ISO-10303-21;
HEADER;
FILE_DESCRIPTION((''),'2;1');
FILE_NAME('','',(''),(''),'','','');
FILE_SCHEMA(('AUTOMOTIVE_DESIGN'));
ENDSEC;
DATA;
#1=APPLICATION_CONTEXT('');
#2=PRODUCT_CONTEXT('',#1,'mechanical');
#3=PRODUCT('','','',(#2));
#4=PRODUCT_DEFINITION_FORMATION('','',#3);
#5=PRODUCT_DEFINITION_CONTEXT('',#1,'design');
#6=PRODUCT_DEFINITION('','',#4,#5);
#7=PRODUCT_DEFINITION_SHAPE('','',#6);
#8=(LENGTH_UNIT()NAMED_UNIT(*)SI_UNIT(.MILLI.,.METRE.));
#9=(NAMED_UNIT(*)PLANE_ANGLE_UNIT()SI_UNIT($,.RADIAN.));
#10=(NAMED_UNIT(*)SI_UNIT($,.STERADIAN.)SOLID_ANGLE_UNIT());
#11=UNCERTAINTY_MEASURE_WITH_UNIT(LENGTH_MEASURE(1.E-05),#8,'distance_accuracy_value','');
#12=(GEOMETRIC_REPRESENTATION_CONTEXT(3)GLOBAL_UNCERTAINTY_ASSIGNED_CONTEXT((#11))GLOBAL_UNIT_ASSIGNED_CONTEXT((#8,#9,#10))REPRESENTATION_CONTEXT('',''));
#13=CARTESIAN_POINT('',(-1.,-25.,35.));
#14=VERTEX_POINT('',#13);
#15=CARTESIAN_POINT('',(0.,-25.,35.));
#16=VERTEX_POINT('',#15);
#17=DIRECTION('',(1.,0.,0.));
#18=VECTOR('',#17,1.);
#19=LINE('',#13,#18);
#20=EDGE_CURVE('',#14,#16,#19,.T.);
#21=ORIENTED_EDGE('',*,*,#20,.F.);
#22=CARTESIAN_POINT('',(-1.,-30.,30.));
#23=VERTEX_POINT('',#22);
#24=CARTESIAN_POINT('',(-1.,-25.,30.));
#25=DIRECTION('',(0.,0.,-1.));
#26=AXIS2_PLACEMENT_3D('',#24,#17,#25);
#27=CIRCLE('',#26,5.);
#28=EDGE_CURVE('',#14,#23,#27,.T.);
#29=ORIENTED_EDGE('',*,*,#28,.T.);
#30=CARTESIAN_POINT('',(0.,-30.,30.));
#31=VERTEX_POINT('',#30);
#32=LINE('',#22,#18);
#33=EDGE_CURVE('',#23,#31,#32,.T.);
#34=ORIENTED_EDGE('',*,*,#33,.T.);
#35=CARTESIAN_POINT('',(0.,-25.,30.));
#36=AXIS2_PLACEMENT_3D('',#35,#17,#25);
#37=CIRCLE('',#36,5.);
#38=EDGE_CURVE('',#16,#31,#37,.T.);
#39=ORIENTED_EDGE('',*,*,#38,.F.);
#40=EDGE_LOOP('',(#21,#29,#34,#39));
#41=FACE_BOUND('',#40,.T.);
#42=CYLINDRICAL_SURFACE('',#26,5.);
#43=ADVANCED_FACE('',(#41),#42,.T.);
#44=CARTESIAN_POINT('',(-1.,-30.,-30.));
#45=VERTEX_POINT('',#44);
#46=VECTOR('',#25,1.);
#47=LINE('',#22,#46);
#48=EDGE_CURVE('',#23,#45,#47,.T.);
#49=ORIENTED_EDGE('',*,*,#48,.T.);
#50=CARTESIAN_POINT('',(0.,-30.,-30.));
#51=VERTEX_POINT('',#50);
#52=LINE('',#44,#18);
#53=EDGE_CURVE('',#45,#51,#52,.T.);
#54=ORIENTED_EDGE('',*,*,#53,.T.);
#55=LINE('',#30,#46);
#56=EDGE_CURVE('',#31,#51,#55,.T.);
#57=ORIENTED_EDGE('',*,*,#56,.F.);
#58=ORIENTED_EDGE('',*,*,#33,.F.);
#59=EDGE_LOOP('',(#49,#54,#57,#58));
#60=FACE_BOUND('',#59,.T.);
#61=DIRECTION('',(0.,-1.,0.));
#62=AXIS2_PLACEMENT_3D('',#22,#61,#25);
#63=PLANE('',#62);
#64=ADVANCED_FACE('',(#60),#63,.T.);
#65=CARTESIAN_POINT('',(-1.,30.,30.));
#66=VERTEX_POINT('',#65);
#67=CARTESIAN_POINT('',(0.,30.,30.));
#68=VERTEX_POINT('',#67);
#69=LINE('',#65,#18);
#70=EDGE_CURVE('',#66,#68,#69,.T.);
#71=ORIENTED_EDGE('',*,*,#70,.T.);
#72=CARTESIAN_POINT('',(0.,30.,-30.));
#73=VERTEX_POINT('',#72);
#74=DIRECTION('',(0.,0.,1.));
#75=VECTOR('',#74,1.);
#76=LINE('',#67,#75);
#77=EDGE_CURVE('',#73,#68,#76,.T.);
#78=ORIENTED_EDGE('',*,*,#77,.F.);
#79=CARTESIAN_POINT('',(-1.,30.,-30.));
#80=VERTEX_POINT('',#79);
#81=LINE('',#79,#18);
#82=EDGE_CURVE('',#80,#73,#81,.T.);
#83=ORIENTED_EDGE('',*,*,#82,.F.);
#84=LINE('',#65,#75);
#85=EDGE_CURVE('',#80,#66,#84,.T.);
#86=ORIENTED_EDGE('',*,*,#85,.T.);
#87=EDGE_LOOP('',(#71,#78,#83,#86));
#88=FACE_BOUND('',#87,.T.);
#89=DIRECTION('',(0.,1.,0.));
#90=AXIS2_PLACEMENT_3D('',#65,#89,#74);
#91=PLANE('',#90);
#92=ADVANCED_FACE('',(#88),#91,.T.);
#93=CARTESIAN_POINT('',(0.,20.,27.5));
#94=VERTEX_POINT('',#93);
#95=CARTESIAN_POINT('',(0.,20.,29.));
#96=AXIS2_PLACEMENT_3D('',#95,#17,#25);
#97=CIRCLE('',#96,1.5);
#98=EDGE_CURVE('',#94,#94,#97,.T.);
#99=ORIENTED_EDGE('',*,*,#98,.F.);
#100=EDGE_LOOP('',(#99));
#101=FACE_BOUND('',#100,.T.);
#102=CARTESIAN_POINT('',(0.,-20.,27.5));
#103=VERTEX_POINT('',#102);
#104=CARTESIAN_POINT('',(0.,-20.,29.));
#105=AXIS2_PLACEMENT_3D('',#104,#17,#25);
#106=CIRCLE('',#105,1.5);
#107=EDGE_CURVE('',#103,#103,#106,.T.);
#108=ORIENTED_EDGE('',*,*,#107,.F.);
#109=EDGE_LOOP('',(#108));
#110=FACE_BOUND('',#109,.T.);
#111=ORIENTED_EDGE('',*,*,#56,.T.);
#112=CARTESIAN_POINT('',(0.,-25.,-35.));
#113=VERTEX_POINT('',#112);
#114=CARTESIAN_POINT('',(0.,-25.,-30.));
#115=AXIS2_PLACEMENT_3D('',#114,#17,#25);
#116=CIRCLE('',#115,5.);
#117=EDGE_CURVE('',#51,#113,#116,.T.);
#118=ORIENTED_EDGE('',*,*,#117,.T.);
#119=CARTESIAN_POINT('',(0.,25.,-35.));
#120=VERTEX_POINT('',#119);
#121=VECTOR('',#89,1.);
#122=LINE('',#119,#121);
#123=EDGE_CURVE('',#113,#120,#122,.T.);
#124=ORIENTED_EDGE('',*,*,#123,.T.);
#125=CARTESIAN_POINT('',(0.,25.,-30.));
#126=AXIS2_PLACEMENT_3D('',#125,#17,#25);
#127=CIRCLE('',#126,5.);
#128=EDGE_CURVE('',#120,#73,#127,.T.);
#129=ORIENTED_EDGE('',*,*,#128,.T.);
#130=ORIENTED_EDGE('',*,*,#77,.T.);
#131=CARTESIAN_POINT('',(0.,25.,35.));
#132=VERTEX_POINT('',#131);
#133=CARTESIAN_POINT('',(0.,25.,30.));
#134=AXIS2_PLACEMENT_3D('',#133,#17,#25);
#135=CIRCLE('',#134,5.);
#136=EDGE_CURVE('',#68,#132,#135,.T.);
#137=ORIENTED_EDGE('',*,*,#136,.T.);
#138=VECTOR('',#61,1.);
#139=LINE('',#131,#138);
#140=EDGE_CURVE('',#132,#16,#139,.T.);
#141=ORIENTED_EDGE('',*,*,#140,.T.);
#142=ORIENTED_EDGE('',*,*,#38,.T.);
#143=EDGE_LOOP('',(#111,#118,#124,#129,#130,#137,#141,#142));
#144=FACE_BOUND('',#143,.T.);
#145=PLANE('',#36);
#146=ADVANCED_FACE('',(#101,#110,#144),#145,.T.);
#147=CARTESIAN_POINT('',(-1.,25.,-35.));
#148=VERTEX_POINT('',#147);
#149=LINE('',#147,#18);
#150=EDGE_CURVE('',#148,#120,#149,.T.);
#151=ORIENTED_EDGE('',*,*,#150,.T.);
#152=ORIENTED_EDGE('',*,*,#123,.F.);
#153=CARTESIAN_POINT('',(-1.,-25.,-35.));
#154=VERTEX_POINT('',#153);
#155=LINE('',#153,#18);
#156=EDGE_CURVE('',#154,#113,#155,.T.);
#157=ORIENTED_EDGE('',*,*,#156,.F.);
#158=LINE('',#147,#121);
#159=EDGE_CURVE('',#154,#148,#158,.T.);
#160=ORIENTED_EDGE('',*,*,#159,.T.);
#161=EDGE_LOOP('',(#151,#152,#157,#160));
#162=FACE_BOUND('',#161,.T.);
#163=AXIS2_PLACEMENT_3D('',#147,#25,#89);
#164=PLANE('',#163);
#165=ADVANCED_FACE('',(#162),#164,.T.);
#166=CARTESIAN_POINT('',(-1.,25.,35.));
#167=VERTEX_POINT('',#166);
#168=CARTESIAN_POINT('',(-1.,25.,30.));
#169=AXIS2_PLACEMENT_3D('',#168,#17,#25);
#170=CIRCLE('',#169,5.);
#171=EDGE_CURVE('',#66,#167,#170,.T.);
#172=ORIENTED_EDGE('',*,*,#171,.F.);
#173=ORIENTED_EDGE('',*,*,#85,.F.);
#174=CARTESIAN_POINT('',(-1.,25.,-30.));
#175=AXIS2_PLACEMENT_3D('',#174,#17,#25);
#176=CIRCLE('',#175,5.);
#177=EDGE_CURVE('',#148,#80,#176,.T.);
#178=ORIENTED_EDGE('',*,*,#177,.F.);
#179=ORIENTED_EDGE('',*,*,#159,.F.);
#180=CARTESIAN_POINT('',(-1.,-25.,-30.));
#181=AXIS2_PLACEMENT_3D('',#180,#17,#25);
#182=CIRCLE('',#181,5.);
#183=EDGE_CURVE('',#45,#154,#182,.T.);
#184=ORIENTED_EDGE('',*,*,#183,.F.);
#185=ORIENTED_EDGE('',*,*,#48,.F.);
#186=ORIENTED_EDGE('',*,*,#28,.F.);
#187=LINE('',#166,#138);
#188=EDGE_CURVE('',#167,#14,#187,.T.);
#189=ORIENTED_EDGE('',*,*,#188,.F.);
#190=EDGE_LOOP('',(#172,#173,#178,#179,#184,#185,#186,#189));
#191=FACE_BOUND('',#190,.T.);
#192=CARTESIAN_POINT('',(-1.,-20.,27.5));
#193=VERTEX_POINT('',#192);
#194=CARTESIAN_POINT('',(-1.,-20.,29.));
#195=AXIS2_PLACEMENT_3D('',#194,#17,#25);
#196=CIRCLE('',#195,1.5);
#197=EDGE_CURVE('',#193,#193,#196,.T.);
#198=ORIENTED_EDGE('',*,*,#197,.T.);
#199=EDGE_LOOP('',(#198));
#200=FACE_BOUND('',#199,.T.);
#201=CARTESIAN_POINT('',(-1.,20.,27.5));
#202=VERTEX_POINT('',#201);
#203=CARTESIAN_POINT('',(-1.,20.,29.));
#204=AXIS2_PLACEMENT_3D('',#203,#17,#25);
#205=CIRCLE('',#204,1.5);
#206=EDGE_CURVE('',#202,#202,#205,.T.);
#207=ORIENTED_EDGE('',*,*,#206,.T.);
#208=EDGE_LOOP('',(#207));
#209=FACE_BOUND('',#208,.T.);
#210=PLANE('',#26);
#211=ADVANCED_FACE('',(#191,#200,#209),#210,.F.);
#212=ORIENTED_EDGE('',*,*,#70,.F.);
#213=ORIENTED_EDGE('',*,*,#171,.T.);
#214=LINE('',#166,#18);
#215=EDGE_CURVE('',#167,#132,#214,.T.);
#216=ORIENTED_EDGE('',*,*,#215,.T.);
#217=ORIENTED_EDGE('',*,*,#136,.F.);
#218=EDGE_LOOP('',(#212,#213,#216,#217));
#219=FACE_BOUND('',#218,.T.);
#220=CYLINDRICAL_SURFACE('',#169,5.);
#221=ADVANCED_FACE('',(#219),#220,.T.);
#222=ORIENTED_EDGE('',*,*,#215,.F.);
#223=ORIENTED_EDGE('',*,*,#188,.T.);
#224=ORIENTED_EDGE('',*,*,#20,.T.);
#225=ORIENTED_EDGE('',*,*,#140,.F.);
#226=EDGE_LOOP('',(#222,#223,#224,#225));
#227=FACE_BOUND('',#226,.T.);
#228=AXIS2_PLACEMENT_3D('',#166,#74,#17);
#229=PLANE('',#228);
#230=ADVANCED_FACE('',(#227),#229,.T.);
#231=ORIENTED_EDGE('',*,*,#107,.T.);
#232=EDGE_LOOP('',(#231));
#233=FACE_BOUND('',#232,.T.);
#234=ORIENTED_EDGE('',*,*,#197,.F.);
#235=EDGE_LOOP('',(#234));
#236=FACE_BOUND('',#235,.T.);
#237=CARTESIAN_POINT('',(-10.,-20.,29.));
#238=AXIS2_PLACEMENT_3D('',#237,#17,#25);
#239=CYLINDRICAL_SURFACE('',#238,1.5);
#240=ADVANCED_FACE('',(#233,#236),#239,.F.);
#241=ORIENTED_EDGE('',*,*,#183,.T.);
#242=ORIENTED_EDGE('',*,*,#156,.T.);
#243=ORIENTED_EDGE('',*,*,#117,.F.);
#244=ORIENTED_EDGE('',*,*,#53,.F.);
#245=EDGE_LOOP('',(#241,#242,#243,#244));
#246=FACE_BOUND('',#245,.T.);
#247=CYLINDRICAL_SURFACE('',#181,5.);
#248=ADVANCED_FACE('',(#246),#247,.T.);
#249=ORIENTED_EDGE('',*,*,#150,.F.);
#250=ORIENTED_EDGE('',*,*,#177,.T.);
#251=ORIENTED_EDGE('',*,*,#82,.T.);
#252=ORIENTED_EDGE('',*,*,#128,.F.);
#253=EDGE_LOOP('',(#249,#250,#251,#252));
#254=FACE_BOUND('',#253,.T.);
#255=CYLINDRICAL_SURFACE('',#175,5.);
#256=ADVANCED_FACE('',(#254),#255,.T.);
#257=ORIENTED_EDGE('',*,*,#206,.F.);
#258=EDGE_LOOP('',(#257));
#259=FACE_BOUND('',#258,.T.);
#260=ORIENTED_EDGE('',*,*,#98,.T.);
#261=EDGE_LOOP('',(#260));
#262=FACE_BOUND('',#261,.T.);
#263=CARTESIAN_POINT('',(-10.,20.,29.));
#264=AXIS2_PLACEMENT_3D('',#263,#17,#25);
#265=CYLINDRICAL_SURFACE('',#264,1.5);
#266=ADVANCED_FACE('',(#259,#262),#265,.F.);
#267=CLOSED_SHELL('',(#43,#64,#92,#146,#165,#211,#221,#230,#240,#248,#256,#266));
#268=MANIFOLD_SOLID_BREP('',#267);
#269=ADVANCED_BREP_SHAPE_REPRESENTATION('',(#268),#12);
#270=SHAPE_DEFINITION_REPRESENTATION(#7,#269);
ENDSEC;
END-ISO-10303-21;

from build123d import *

# Parameters (mm, degrees)
BOSS_EXTRUDE1_DEPTH = 1
SKETCH2_R           = 1.5
CUT_EXTRUDE1_DEPTH  = 10


with BuildPart() as part:
    # Sketch1 → Boss-Extrude1 (new body)
    with BuildSketch(Plane(origin=(0, 0, 0), x_dir=(0, 0, -1), z_dir=(1, 0, 0))):
        with BuildLine():
            Line((-30, 30), (30, 30))
            ThreePointArc((30, 30), (33.535533906, 28.535533906), (35, 25))
            Line((35, 25), (35, -25))
            ThreePointArc((35, -25), (33.535533906, -28.535533906), (30, -30))
            Line((30, -30), (-30, -30))
            ThreePointArc((-30, -30), (-33.535533906, -28.535533906), (-35, -25))
            Line((-35, -25), (-35, 25))
            ThreePointArc((-35, 25), (-33.535533906, 28.535533906), (-30, 30))
        make_face()
    extrude(amount=-BOSS_EXTRUDE1_DEPTH)

    # Sketch2 → Cut-Extrude1 (cut)
    with BuildSketch(Plane(origin=(0, 0, 0), x_dir=(0, 0, -1), z_dir=(1, 0, 0))):
        with Locations((-29, 20)):
            Circle(SKETCH2_R)
        with Locations((-29, -20)):
            Circle(SKETCH2_R)
    extrude(amount=-CUT_EXTRUDE1_DEPTH, mode=Mode.SUBTRACT)


solid = part.part
